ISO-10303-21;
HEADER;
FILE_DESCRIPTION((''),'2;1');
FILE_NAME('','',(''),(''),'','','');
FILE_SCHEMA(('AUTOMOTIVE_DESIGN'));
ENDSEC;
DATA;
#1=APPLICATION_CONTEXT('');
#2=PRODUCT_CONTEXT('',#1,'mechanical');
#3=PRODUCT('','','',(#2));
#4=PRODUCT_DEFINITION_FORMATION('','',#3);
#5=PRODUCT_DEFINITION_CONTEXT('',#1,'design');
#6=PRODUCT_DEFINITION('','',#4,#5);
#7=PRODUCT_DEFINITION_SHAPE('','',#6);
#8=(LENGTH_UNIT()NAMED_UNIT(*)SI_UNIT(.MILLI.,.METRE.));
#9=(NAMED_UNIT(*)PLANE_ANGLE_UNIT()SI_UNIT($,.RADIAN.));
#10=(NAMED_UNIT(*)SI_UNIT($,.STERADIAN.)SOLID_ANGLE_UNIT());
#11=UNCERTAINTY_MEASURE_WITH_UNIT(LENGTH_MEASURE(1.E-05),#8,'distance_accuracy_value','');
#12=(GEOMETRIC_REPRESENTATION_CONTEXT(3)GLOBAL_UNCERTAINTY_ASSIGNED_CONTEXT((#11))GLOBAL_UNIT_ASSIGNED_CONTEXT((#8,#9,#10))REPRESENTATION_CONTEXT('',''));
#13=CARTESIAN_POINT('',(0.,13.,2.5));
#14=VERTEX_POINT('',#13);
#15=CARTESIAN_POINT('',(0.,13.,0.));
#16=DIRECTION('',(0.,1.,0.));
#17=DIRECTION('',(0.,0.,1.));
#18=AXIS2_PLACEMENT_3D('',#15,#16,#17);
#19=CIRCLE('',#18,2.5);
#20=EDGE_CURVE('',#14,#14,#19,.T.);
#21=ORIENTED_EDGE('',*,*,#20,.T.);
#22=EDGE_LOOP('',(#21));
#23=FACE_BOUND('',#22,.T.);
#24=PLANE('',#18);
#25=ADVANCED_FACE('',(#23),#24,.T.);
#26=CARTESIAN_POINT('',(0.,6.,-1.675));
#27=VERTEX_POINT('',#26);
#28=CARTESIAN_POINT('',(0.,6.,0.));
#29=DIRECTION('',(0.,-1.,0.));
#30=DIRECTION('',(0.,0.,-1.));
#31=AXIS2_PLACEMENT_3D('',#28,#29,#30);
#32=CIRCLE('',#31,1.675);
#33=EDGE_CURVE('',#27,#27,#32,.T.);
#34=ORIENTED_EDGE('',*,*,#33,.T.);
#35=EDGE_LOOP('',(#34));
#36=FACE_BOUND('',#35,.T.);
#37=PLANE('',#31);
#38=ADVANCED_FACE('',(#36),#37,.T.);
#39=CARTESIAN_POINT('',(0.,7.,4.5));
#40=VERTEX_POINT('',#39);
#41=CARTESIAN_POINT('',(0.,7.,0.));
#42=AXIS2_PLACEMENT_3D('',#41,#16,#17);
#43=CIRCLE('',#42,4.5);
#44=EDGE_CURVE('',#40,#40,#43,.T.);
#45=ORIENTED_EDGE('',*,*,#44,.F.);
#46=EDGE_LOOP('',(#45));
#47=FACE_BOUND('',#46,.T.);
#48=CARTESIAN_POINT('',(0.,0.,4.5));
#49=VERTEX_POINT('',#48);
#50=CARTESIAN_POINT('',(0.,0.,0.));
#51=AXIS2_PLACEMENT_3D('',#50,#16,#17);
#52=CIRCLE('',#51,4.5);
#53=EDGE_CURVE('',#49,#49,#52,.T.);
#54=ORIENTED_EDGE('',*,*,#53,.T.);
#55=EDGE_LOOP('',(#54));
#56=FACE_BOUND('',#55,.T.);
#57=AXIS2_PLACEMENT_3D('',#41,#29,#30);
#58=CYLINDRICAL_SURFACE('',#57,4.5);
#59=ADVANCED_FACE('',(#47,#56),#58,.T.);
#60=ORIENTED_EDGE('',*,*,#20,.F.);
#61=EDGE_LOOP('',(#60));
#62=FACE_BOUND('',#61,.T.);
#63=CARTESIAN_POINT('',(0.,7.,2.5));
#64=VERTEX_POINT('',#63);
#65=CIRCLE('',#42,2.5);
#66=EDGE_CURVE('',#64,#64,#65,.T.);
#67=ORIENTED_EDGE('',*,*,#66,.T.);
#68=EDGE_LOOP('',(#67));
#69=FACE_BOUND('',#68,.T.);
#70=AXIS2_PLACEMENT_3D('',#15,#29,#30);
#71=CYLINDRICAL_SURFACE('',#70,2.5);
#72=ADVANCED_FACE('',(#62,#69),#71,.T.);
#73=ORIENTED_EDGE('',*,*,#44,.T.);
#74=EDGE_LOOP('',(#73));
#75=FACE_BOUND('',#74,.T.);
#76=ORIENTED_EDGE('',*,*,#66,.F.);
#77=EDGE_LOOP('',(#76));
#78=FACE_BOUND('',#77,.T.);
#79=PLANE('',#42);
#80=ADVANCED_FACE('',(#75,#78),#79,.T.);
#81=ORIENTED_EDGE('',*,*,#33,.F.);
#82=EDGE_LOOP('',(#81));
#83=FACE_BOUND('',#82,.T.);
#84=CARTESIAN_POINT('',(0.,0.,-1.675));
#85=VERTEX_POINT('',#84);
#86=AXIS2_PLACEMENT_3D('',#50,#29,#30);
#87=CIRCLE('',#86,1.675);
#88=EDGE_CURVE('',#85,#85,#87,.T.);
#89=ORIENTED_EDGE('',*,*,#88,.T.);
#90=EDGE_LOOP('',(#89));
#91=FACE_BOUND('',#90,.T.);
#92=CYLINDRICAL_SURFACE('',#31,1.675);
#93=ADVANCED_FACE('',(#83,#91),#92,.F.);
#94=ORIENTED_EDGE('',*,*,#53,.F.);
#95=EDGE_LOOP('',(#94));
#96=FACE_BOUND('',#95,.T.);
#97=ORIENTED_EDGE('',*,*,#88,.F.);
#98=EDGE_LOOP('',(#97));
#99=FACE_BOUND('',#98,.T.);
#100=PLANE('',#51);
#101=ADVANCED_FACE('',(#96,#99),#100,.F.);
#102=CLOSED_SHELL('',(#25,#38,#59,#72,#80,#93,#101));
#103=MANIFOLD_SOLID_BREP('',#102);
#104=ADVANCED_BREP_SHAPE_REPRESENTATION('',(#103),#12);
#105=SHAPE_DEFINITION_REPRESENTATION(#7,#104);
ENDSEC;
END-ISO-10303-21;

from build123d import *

# Parameters (mm, degrees)
SKETCH1_R           = 4.5
BOSS_EXTRUDE1_DEPTH = 7
SKETCH2_R           = 1.675
CUT_EXTRUDE1_DEPTH  = 6
SKETCH3_R           = 2.5
BOSS_EXTRUDE2_DEPTH = 6


with BuildPart() as part:
    # Sketch1 → Boss-Extrude1 (new body)
    with BuildSketch(Plane(origin=(0, 0, 0), x_dir=(1, 0, 0), z_dir=(0, 1, 0))):
        with Locations(Location((0, 0, 0), (0, 0, 270))):
            Circle(SKETCH1_R)
    extrude(amount=BOSS_EXTRUDE1_DEPTH)

    # Sketch2 → Cut-Extrude1 (cut)
    with BuildSketch(Plane.XZ):
        with Locations(Location((0, 0, 0), (0, 0, 270))):
            Circle(SKETCH2_R)
    extrude(amount=-CUT_EXTRUDE1_DEPTH, mode=Mode.SUBTRACT)

    # Sketch3 → Boss-Extrude2 (add)
    with BuildSketch(Plane(origin=(0, 7, 0), x_dir=(1, 0, 0), z_dir=(0, 1, 0))):
        with Locations(Location((0, 0, 0), (0, 0, 270))):
            Circle(SKETCH3_R)
    extrude(amount=BOSS_EXTRUDE2_DEPTH)


solid = part.part
